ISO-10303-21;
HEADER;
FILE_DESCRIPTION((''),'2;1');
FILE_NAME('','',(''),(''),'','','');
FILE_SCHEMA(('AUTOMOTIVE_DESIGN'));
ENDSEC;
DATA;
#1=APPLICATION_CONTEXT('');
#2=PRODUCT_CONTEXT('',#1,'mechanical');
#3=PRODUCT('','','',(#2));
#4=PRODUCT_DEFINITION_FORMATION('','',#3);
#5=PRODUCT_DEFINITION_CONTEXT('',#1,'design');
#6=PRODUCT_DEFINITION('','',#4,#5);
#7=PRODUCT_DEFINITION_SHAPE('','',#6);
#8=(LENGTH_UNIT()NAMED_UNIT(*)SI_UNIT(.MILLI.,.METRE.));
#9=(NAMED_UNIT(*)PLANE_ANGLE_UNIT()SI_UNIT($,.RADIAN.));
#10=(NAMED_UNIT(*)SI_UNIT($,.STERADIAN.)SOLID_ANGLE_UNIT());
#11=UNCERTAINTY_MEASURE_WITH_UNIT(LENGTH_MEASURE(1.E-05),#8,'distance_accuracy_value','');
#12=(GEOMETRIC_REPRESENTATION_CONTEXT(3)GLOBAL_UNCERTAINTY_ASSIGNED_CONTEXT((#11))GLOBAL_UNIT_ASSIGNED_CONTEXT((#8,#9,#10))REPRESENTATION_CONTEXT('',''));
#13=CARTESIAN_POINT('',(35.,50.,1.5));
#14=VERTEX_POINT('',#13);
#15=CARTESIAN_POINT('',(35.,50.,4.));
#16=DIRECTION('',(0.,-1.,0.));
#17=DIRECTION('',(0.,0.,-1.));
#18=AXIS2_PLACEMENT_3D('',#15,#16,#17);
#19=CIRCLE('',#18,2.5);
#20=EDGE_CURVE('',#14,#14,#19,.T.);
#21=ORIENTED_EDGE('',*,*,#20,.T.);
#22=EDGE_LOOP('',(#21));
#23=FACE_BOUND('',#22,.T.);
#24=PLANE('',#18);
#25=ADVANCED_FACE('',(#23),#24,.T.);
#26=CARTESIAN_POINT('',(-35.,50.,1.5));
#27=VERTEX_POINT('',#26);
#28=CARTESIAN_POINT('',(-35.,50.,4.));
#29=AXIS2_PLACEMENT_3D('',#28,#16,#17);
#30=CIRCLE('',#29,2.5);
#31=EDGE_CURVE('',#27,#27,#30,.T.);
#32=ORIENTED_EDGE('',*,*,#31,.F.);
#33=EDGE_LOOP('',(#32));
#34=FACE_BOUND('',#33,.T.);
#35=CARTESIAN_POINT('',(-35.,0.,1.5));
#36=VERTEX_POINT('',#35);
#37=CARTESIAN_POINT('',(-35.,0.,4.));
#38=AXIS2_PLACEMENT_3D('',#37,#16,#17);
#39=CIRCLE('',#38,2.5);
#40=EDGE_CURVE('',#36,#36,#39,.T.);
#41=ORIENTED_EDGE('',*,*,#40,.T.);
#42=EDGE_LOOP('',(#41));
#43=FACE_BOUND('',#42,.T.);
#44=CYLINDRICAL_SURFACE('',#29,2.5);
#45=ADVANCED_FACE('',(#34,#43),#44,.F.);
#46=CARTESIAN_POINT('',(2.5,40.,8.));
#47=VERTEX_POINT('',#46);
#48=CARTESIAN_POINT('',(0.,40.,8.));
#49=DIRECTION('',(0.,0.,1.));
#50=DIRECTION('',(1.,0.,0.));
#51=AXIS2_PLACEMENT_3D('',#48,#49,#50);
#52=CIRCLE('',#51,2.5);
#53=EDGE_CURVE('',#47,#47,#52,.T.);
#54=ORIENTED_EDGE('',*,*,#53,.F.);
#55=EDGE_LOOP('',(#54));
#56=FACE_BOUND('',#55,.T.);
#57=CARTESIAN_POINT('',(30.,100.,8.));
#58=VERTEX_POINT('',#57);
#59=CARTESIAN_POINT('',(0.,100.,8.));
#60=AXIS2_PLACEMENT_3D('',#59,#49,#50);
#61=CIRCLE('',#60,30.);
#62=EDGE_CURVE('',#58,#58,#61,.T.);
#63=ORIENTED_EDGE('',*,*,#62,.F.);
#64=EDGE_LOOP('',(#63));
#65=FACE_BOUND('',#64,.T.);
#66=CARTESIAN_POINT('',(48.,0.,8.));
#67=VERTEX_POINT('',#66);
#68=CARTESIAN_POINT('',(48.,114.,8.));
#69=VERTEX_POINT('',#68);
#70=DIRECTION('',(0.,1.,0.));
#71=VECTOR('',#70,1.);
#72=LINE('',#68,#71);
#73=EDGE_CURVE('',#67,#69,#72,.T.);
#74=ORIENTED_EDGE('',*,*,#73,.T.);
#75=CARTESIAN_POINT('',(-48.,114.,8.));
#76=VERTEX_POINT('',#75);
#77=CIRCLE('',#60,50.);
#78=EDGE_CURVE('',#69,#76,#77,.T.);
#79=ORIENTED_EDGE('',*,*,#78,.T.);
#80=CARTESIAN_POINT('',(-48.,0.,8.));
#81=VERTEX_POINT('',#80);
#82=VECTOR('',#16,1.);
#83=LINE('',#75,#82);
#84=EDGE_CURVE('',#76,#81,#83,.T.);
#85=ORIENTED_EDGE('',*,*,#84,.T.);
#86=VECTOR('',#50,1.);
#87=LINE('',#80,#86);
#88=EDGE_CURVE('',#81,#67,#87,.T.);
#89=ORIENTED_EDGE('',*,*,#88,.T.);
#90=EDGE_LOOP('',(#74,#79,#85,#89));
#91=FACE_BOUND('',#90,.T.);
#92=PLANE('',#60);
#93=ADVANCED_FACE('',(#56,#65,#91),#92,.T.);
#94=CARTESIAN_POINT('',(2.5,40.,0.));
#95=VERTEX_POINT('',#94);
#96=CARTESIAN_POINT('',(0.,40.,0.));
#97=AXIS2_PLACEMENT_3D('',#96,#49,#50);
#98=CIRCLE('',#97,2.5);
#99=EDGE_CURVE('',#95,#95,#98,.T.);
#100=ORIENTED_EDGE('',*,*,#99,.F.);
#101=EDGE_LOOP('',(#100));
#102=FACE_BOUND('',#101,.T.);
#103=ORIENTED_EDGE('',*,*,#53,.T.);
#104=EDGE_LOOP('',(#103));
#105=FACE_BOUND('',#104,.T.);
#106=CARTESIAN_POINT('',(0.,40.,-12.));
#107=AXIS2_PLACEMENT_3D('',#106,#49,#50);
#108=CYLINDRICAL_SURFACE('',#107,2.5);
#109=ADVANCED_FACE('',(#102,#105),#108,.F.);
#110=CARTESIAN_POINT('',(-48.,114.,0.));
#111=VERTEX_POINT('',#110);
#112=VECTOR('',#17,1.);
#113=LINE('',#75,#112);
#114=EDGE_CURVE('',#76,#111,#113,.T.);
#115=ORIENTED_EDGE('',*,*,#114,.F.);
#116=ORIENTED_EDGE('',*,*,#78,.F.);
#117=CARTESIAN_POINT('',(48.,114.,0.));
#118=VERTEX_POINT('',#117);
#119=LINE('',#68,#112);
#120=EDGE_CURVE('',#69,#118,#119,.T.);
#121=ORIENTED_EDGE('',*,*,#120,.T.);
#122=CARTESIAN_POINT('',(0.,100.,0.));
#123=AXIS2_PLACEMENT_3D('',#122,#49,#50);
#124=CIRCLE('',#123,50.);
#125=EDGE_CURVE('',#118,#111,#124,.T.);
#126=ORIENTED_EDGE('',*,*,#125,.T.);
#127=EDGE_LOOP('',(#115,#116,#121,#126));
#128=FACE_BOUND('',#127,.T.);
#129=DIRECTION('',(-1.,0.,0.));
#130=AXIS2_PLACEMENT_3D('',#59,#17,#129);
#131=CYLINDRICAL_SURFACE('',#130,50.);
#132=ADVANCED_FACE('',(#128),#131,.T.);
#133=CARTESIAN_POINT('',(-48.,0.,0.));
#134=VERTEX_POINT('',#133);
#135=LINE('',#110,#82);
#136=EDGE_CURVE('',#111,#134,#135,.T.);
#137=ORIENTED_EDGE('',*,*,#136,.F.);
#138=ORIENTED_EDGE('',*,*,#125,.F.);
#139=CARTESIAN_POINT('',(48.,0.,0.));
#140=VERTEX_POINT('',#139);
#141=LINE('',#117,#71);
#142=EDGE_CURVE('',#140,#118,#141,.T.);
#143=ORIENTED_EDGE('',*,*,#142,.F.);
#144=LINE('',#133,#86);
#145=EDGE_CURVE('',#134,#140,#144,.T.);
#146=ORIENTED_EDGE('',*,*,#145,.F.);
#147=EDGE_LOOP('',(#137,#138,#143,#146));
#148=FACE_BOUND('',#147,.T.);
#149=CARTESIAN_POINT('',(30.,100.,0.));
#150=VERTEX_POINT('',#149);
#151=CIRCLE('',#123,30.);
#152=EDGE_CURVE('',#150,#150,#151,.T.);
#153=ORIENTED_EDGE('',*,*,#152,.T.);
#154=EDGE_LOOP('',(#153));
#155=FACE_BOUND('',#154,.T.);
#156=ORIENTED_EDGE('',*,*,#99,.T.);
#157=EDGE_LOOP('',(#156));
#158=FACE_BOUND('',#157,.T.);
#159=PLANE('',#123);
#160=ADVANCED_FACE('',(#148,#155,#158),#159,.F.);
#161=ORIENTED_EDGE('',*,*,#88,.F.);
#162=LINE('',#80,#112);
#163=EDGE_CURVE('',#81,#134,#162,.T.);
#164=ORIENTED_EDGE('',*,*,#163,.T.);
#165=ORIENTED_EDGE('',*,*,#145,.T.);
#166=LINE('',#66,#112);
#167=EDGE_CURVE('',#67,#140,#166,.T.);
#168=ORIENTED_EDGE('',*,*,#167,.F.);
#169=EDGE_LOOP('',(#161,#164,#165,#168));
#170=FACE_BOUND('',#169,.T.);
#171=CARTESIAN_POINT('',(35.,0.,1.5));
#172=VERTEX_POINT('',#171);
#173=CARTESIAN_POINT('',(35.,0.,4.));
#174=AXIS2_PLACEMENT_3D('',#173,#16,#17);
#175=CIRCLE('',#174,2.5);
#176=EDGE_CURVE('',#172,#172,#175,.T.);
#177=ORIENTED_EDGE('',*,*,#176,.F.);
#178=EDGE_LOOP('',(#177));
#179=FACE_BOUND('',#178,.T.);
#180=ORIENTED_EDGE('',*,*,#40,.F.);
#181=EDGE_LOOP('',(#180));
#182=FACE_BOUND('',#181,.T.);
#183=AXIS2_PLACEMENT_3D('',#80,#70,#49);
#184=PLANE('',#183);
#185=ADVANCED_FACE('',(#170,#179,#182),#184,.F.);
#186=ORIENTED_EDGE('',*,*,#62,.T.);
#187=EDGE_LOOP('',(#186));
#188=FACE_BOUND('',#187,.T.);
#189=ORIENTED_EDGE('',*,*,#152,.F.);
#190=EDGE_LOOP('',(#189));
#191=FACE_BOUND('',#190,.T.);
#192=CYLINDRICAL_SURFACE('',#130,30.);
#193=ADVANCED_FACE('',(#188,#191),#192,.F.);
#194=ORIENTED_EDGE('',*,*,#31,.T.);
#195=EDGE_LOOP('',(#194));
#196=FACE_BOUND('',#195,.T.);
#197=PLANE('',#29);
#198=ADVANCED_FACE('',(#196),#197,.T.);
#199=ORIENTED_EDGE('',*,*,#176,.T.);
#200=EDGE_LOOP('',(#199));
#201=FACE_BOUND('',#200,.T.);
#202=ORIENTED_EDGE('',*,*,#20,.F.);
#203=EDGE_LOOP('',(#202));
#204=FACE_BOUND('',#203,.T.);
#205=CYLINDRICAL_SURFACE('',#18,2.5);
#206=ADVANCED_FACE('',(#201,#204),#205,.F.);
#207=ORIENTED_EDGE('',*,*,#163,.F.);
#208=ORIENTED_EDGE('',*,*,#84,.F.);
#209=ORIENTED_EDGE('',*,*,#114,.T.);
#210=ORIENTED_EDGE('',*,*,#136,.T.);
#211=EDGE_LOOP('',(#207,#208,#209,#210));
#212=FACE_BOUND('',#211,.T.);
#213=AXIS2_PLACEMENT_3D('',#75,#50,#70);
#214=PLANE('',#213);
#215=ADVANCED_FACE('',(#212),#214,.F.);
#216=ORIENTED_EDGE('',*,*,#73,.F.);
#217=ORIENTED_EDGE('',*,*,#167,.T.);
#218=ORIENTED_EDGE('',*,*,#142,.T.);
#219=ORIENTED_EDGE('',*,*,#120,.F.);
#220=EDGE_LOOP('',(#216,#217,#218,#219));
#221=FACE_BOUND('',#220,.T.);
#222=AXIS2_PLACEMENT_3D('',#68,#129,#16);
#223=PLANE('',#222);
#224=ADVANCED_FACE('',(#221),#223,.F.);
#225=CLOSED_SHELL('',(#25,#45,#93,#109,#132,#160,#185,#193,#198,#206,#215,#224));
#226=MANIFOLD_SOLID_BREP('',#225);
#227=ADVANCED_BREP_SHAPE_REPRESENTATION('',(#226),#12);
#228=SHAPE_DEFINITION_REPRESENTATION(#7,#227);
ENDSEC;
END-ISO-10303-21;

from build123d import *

# Parameters (mm, degrees)
SKETCH_1_R          = 30
EXTRUDE_1_DEPTH     = 8
SKETCH_2_R          = 2.5
CUT_EXTRUDE_1_DEPTH = 50
SKETCH_3_R          = 2.5
CUT_EXTRUDE_2_DEPTH = 20


with BuildPart() as part:
    # 草图1 → 凸台-拉伸1 (new body)
    with BuildSketch(Plane.XY):
        with BuildLine():
            Line((-48, 114), (-48, 0))
            Line((-48, 0), (48, 0))
            Line((48, 0), (48, 114))
            ThreePointArc((48, 114), (0, 150), (-48, 114))
        make_face()
        with Locations((0, 100)):
            Circle(SKETCH_1_R, mode=Mode.SUBTRACT)
    extrude(amount=EXTRUDE_1_DEPTH)

    # 草图2 → 切除-拉伸1 (cut)
    with BuildSketch(Plane.XZ):
        with Locations(Location((35, 4, 0), (0, 0, 270))):
            Circle(SKETCH_2_R)
        with Locations(Location((-35, 4, 0), (0, 0, 270))):
            Circle(SKETCH_2_R)
    extrude(amount=-CUT_EXTRUDE_1_DEPTH, mode=Mode.SUBTRACT)

    # 草图3 → 切除-拉伸2 (cut)
    with BuildSketch(Plane.XY.offset(8)):
        with Locations((0, 40)):
            Circle(SKETCH_3_R)
    extrude(amount=-CUT_EXTRUDE_2_DEPTH, mode=Mode.SUBTRACT)


solid = part.part
